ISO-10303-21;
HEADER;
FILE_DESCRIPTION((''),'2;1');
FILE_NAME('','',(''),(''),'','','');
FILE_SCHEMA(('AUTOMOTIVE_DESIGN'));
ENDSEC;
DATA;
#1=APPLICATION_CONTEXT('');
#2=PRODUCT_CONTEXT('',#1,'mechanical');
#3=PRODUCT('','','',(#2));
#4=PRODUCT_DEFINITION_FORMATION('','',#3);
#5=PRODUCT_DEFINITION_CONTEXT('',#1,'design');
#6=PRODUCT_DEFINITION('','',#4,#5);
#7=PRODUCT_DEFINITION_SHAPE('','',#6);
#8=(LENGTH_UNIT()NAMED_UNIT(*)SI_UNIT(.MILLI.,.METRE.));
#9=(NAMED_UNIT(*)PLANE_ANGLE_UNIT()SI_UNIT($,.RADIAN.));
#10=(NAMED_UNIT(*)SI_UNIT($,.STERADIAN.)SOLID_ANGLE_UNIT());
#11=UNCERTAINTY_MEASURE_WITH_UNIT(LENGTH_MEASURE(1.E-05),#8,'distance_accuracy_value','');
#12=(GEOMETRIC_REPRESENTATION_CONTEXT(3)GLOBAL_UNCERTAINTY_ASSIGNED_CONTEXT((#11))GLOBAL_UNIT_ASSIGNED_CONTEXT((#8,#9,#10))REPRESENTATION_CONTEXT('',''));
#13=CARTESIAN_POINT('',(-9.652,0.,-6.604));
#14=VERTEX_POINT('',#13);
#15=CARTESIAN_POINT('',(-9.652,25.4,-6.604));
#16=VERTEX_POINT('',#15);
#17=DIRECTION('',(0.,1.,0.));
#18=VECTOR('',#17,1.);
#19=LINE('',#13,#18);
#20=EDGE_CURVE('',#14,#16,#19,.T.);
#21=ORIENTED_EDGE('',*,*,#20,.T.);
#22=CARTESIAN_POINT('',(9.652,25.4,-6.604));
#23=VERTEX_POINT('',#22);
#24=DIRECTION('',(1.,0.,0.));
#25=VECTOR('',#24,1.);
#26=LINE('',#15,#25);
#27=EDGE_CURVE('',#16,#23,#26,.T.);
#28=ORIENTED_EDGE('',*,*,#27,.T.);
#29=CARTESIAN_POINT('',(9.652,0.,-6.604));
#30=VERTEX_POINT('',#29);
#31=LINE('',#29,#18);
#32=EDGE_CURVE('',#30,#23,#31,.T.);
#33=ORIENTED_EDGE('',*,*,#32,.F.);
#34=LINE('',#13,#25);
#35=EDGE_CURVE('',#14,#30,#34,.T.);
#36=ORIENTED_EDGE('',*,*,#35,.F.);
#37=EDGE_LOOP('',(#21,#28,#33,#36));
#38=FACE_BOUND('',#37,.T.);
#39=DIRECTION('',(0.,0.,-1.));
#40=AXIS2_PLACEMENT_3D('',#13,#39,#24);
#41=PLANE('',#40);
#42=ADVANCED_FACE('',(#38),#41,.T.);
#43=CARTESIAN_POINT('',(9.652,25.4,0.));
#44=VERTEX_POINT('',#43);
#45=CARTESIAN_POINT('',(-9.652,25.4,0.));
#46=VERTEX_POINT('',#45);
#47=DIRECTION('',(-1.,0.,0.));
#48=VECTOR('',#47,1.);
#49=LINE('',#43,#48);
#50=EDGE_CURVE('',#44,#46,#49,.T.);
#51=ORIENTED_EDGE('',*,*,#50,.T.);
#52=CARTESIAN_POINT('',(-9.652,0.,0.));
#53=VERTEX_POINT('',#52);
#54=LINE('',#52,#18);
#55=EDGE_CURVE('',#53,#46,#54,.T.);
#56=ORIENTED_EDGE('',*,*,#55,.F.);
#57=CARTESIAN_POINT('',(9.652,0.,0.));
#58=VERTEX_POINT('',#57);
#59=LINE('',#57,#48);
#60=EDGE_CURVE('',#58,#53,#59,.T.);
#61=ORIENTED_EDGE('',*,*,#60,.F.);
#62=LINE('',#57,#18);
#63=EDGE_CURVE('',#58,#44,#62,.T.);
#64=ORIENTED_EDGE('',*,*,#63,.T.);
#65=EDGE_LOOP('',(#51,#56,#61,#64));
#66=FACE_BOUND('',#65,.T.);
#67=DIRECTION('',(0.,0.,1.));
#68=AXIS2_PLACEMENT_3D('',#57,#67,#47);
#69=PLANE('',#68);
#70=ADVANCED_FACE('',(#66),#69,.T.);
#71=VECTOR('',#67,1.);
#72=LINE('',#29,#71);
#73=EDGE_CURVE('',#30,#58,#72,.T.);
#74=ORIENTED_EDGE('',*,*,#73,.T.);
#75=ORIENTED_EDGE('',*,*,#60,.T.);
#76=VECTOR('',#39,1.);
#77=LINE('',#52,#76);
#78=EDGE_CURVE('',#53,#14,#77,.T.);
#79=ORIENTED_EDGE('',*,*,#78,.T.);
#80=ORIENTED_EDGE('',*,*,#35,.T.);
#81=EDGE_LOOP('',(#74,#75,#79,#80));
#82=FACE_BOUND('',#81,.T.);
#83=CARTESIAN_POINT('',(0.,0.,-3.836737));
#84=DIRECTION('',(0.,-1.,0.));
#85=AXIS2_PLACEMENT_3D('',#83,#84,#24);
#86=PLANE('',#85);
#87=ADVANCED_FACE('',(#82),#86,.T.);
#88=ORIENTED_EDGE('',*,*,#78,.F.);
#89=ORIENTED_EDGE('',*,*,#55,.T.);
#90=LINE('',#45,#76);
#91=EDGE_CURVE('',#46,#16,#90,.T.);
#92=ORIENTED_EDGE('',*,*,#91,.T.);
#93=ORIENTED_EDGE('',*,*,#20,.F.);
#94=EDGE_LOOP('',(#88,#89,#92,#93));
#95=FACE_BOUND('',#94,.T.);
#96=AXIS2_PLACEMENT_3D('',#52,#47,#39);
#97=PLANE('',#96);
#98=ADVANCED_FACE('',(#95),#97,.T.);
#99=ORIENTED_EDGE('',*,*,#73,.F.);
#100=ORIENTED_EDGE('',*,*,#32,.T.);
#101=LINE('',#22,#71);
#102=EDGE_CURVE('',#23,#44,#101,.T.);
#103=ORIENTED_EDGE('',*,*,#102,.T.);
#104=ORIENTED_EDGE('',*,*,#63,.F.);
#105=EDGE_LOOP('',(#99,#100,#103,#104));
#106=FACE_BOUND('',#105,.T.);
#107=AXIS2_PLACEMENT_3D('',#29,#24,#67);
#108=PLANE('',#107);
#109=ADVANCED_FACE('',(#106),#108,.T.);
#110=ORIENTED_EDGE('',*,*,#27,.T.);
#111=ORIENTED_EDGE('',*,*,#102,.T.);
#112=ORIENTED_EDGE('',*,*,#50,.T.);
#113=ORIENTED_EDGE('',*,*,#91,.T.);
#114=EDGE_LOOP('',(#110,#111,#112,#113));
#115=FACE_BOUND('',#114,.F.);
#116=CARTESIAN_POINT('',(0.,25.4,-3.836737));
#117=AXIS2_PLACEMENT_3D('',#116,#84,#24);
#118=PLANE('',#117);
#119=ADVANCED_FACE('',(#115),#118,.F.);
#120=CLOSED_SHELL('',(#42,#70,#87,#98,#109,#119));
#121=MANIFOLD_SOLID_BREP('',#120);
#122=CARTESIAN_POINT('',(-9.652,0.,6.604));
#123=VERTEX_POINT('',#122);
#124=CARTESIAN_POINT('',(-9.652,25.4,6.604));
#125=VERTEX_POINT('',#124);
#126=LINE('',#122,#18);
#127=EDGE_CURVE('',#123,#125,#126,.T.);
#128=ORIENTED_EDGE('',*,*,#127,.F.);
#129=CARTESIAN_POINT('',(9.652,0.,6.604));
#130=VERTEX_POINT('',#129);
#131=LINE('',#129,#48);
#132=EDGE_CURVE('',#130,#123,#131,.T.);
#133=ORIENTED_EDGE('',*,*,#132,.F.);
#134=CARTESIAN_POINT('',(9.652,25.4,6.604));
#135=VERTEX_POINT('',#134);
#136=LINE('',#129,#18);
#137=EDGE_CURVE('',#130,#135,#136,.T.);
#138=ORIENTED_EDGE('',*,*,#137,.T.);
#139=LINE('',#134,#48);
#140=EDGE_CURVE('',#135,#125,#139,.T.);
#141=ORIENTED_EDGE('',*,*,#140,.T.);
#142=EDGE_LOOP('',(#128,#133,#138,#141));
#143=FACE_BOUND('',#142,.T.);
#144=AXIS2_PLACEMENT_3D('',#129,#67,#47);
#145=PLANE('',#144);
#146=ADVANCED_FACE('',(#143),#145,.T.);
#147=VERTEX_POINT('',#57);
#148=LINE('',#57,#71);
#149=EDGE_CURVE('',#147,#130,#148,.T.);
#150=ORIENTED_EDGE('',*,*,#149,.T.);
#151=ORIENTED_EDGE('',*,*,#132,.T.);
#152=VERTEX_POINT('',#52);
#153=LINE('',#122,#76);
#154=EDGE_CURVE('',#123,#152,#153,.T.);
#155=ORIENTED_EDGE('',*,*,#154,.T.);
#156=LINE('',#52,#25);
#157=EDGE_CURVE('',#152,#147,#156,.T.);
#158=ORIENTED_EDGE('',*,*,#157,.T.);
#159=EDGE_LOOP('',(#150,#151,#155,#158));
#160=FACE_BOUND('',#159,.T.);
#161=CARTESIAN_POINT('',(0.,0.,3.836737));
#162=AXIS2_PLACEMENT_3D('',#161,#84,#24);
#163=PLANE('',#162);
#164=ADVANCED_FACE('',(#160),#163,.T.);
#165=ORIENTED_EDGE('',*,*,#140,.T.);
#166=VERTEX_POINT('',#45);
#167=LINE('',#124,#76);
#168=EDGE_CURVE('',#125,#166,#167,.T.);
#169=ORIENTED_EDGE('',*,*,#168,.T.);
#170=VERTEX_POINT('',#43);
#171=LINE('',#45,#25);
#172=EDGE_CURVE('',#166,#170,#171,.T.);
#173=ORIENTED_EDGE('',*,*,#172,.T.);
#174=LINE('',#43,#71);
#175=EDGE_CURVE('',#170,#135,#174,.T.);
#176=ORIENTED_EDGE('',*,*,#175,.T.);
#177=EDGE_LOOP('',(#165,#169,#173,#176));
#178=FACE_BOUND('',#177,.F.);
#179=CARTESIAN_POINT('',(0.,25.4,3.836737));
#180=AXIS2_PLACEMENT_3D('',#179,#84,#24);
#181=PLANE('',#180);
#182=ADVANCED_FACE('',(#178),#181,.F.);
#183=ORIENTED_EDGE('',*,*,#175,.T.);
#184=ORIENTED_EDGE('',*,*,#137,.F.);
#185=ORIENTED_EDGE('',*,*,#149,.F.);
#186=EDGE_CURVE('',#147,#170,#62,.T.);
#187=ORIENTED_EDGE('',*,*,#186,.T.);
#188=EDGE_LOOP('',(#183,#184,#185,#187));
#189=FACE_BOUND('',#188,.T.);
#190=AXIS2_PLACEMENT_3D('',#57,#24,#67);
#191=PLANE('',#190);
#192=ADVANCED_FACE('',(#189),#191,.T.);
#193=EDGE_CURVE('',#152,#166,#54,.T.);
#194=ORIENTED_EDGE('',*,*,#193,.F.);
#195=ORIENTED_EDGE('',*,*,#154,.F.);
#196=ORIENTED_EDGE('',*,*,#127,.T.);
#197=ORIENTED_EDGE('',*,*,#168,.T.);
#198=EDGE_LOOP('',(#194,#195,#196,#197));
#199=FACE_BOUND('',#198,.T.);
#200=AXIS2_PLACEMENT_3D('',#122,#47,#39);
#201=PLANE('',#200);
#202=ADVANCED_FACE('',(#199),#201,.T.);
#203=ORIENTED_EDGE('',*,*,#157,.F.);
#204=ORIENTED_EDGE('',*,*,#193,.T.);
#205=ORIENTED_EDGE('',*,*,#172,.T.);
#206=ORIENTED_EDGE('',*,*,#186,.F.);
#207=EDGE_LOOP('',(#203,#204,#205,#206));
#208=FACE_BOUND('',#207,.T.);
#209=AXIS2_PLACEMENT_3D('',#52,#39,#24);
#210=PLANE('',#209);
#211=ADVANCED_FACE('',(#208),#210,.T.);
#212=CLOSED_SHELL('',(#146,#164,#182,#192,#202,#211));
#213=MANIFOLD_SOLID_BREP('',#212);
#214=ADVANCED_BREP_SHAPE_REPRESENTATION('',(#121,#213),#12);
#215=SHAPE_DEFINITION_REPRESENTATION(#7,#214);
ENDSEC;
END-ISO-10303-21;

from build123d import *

# Parameters (mm, degrees)
F0_W     = 6.858
F0_H     = 3.048
F1_DEPTH = 25.4
F2_DEPTH = 25.4


with BuildPart() as f1:
    # F0 (on Front) → F1 (new body)
    with BuildSketch(Plane.XZ):
        Polygon((9.652, 0), (9.652, 6.604), (8.128, 6.604), (0, 6.604), (-8.128, 6.604), (-9.652, 6.604), (-9.652, 0), (-6.858, 0), (-6.858, 3.048), (0, 3.048), (6.858, 3.048), (6.858, 0), align=None)
        with Locations((-3.429, 1.524)):
            Rectangle(F0_W, F0_H)
        with Locations((3.429, 1.524)):
            Rectangle(F0_W, F0_H)
    extrude(amount=-F1_DEPTH)


with BuildPart() as f2:
    # F0 (on Front) → F2 (new body)
    with BuildSketch(Plane.XZ):
        Polygon((9.652, -6.604), (9.652, 0), (6.858, 0), (6.858, -3.048), (-6.858, -3.048), (-6.858, 0), (-9.652, 0), (-9.652, -6.604), align=None)
        Polygon((6.858, -3.048), (6.858, 0), (0, 0), (-6.858, 0), (-6.858, -3.048), align=None)
    extrude(amount=-F2_DEPTH)


solid = Compound([f1.part, f2.part])
